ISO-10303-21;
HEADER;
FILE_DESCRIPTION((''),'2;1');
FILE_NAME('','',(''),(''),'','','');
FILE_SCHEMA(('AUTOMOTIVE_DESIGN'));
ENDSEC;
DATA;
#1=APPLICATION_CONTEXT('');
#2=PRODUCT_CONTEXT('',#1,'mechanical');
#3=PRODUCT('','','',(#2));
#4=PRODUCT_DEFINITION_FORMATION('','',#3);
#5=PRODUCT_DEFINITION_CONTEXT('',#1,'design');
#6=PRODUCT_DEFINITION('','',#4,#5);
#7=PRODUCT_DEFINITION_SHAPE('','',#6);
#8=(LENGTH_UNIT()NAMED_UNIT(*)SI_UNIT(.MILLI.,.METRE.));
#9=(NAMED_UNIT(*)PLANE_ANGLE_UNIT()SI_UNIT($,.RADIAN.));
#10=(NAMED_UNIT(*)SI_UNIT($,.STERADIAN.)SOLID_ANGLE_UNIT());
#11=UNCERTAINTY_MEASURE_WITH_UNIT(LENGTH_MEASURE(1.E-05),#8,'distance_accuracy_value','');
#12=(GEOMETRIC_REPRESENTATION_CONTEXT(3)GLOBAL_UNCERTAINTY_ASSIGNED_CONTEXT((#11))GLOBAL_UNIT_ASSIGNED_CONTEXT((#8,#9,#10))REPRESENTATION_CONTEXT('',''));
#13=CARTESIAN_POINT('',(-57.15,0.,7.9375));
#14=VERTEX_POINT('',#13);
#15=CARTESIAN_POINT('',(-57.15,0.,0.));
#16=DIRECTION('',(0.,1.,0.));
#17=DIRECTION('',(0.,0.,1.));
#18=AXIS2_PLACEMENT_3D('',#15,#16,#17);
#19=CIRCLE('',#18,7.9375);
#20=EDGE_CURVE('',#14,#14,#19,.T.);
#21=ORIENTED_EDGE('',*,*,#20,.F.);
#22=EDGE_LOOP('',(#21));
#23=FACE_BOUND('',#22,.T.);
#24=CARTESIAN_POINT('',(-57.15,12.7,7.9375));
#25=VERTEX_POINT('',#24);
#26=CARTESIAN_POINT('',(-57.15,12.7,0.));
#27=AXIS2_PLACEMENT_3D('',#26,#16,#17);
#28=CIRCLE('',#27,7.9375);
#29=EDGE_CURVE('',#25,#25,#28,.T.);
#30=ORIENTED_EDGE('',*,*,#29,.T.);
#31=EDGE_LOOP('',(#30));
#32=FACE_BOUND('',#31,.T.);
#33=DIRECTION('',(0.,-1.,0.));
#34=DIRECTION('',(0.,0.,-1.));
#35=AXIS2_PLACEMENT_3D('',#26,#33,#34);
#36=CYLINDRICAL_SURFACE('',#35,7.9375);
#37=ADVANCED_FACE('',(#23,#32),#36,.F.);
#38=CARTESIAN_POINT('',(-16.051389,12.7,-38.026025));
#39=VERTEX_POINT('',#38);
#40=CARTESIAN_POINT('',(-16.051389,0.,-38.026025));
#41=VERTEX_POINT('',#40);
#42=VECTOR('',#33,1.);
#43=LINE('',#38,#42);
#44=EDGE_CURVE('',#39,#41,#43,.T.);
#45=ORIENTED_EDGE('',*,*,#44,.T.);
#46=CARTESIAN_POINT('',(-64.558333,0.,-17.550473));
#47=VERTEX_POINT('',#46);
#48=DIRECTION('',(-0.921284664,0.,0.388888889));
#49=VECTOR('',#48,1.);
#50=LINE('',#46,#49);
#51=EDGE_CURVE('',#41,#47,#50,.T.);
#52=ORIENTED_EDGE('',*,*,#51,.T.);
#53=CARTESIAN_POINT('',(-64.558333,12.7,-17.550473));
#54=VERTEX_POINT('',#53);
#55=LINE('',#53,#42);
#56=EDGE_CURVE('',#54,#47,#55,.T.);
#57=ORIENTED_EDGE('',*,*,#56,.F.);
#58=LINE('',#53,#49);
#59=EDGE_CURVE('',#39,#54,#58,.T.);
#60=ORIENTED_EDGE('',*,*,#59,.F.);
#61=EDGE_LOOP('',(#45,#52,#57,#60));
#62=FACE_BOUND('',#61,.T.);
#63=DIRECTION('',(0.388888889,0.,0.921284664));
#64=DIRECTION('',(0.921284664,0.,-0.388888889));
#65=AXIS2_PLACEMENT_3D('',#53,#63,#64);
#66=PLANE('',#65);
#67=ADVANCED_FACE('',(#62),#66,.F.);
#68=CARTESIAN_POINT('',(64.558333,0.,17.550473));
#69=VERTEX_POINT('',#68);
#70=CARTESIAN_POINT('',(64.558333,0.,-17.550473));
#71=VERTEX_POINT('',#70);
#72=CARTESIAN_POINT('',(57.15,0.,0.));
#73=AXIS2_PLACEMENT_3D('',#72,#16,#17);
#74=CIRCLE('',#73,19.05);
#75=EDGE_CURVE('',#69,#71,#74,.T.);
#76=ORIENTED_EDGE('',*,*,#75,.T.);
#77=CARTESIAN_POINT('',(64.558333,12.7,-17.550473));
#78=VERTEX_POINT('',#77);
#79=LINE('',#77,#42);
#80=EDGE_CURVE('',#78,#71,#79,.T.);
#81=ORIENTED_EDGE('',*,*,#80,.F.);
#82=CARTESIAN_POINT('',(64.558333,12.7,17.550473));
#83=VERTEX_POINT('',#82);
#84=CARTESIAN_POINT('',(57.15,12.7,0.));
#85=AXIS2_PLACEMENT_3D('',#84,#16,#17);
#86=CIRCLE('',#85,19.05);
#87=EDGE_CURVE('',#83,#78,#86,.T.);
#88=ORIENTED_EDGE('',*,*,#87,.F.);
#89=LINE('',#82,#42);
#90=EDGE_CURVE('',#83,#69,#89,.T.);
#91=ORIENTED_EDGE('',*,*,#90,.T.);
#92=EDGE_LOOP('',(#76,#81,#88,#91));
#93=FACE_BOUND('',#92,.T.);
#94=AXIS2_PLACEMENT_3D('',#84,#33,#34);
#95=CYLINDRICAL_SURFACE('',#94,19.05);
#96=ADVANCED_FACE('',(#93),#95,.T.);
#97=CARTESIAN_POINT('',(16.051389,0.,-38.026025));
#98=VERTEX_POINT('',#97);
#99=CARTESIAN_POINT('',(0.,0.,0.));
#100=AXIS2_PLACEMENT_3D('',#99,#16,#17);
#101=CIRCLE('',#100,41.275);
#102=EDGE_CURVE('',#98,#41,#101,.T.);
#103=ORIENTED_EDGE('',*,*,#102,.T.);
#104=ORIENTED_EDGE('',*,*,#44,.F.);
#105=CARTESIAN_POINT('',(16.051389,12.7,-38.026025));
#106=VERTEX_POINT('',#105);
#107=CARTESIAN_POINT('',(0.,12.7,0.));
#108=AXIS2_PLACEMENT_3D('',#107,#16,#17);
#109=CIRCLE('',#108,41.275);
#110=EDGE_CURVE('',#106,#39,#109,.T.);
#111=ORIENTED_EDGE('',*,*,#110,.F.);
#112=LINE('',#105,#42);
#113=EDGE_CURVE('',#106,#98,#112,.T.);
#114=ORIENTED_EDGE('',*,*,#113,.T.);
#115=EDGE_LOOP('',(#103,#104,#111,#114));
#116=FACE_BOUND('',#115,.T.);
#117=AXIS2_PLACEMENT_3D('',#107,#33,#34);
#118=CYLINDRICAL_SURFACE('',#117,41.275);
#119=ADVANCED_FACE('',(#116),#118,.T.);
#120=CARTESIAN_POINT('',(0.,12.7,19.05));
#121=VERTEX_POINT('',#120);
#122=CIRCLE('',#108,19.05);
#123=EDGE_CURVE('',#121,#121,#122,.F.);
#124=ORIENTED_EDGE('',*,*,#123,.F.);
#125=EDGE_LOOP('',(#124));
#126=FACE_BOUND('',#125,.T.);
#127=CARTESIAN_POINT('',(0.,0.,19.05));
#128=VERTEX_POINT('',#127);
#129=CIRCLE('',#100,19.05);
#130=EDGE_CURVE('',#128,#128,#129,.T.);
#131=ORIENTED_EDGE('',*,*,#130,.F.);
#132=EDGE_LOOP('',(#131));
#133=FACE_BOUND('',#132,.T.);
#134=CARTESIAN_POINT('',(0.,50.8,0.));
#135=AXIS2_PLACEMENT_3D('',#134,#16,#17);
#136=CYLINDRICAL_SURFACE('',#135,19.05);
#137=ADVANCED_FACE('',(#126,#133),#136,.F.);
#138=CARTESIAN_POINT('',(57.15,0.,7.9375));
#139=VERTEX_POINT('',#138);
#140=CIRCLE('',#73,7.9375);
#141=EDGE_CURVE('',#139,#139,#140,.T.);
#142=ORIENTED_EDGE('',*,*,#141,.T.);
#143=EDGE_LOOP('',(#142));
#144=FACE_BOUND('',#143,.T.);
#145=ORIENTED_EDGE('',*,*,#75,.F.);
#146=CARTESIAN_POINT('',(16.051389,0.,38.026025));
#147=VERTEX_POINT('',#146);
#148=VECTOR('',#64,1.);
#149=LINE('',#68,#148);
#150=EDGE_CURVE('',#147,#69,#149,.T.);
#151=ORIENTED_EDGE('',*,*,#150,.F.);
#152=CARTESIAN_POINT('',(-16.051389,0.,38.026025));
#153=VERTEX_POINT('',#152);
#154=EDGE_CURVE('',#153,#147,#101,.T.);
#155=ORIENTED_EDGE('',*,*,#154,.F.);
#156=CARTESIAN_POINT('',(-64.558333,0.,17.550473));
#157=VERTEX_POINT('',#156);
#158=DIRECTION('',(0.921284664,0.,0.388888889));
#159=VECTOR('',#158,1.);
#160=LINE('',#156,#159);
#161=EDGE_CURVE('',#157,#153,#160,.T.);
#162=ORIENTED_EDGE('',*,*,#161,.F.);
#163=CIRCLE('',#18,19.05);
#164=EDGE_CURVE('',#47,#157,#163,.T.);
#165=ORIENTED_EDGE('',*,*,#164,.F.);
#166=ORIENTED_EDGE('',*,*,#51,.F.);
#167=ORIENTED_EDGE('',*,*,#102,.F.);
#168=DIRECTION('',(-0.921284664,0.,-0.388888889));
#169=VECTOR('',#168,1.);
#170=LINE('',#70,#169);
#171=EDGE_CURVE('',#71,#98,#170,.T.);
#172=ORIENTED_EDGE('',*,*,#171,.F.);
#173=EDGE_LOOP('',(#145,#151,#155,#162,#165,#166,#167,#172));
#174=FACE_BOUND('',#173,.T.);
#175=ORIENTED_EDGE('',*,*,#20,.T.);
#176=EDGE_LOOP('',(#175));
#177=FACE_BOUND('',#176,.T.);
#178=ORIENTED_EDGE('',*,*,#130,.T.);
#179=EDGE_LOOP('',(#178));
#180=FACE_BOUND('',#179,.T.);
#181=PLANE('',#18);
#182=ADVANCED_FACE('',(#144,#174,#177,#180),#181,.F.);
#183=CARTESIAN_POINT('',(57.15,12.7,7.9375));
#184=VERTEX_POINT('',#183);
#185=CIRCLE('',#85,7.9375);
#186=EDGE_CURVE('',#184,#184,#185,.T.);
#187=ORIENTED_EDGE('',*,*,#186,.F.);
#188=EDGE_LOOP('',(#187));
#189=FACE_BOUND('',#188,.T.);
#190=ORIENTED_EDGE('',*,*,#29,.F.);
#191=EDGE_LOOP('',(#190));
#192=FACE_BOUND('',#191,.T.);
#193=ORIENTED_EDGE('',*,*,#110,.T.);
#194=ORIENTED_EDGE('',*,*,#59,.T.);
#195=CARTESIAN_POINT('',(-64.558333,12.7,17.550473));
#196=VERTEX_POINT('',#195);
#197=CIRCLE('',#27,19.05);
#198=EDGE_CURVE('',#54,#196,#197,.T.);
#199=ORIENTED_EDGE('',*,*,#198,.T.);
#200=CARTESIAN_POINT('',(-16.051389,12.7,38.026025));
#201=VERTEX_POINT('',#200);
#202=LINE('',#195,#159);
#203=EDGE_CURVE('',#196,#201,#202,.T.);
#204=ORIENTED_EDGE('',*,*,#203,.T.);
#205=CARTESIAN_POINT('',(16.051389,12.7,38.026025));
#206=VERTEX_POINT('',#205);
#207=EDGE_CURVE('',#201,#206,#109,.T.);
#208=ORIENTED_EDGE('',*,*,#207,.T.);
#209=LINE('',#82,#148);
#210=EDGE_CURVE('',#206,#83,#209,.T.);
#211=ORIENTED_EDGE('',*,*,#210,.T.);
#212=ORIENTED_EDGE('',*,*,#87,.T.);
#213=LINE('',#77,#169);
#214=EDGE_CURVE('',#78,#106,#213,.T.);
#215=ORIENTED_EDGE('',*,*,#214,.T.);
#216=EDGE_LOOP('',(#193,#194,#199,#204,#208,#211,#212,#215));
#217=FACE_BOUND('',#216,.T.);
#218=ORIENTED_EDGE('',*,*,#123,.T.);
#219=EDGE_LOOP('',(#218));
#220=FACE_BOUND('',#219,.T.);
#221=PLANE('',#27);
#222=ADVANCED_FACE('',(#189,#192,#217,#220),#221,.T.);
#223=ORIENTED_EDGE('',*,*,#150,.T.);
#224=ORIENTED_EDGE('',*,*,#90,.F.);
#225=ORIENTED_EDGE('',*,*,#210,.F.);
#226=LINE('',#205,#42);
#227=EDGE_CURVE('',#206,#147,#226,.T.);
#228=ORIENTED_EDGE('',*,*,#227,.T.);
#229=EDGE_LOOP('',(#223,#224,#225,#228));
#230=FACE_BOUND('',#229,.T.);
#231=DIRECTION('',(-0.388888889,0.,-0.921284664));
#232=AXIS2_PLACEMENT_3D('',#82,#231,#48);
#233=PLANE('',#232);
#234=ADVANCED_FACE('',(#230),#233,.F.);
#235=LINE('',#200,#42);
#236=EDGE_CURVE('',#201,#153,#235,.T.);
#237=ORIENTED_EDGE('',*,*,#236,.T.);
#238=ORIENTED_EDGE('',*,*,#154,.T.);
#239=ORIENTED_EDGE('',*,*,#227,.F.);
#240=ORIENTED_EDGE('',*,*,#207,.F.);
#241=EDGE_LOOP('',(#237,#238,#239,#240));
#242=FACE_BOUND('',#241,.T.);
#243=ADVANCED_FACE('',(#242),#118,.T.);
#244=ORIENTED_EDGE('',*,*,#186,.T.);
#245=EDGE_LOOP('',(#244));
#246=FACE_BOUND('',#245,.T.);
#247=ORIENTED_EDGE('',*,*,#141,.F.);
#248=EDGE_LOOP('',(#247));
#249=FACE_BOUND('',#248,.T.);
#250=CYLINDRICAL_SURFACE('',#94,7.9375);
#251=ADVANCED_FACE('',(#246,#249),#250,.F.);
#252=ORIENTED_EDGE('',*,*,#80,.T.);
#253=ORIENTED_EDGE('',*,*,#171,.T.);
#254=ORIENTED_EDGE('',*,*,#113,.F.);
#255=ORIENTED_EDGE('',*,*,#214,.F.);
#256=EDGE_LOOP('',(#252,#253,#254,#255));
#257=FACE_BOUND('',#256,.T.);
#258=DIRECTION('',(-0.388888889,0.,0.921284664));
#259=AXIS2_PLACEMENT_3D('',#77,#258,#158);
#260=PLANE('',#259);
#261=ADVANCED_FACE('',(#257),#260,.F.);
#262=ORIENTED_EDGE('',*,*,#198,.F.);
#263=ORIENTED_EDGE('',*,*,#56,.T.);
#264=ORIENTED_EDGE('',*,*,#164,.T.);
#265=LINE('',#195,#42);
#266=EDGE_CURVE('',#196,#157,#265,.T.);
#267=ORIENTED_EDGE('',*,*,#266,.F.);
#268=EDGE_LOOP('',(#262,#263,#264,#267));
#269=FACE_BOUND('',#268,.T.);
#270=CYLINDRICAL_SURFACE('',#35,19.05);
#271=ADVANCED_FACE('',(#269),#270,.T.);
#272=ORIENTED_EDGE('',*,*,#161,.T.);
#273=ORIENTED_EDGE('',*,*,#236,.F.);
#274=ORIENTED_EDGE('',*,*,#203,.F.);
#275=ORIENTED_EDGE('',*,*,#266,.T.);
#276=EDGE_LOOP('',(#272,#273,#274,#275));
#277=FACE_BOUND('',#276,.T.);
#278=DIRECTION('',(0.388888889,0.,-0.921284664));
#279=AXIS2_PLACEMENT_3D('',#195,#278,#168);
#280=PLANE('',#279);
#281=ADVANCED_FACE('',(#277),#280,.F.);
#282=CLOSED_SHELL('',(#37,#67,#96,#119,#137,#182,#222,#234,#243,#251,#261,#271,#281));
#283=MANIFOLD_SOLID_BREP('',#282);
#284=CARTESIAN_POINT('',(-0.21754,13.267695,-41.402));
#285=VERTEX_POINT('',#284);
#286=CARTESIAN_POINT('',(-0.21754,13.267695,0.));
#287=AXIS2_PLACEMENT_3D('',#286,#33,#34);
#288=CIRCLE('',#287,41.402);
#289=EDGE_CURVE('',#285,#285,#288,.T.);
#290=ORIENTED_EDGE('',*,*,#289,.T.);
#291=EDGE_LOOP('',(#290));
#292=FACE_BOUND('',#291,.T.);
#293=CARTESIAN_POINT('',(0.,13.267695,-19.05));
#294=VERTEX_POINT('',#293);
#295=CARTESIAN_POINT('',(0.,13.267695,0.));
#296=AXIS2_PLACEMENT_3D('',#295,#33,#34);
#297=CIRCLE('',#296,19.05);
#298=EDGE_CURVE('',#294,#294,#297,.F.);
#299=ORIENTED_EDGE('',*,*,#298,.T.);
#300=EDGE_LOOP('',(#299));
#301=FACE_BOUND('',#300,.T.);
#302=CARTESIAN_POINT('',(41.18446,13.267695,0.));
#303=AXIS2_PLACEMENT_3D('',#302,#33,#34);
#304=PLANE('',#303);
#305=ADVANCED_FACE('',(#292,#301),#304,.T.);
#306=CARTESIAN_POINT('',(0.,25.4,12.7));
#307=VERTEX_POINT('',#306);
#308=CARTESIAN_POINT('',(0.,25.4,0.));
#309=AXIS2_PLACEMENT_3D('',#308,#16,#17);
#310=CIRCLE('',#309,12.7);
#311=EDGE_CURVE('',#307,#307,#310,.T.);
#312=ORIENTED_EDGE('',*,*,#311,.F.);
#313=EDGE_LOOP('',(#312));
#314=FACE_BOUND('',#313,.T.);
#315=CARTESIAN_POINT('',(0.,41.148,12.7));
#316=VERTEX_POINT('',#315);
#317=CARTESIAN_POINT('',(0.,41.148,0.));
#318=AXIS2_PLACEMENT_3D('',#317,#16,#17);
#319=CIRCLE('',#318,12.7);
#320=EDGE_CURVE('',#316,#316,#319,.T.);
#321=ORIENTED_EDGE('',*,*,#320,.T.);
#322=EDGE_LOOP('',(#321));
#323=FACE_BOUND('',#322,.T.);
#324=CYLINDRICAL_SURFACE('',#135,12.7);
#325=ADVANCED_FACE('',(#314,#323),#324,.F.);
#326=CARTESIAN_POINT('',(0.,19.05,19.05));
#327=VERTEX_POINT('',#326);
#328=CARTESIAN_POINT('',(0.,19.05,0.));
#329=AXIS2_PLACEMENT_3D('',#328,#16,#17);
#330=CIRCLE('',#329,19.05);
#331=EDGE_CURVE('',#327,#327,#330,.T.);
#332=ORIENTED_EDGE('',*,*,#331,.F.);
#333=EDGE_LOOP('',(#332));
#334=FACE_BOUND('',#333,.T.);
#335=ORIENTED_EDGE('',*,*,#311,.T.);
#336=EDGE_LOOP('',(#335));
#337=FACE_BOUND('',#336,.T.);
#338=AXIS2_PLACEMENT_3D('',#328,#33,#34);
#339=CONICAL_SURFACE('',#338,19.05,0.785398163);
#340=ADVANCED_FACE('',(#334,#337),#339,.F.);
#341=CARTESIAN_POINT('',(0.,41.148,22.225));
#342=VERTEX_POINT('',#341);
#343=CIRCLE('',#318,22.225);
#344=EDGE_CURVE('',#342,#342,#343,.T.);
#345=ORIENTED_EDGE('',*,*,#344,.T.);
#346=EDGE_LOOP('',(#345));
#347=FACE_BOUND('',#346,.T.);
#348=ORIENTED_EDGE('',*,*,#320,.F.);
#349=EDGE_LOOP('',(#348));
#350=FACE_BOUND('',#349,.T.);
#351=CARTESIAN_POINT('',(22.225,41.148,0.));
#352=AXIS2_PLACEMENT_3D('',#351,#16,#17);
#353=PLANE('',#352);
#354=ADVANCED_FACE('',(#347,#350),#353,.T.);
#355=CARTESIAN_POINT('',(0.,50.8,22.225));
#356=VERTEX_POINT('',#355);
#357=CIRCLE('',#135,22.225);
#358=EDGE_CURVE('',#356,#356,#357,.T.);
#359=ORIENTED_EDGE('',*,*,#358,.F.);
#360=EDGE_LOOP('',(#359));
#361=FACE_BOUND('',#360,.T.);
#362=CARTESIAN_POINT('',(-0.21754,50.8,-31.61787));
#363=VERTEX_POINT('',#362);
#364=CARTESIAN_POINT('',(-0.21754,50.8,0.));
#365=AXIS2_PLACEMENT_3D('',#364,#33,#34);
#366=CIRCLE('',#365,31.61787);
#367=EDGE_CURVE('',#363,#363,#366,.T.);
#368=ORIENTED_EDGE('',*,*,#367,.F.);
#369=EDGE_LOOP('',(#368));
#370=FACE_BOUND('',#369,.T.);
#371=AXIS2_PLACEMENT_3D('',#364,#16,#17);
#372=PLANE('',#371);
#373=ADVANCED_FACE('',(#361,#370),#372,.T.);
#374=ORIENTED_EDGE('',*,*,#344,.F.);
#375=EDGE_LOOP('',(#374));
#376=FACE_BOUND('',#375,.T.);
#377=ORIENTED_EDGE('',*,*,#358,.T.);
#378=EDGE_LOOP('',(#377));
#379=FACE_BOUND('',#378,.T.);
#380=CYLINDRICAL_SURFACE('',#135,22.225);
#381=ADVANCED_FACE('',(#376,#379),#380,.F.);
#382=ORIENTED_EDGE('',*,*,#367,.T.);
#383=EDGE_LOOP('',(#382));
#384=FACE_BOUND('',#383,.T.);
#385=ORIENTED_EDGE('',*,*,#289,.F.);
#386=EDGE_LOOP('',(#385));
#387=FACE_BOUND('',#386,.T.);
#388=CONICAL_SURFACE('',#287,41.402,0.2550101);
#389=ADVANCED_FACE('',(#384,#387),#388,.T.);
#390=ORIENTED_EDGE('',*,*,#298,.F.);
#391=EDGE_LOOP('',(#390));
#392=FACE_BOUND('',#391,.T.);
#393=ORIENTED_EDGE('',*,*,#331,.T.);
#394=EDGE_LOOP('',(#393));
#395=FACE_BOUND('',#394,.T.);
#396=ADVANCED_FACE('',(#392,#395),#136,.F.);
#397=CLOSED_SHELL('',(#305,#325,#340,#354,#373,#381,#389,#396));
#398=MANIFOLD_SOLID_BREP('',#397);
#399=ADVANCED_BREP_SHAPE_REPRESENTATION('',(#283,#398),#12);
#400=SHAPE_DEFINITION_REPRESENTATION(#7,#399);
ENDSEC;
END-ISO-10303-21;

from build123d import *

# Parameters (mm, degrees)
SKETCH1_R           = 7.9375
BOSS_EXTRUDE1_DEPTH = 12.7


with BuildPart() as part:
    # Sketch1 → Boss-Extrude1 (new body)
    with BuildSketch(Plane(origin=(0, 0, 0), x_dir=(1, 0, 0), z_dir=(0, 1, 0))):
        with BuildLine():
            Line((-64.558333333, 17.550472849), (-16.051388889, 38.026024506))
            ThreePointArc((-16.051388889, 38.026024506), (0, 41.275), (16.051388889, 38.026024506))
            Line((16.051388889, 38.026024506), (64.558333333, 17.550472849))
            ThreePointArc((64.558333333, 17.550472849), (76.2, 0), (64.558333333, -17.550472849))
            Line((64.558333333, -17.550472849), (16.051388889, -38.026024506))
            ThreePointArc((16.051388889, -38.026024506), (0, -41.275), (-16.051388889, -38.026024506))
            Line((-16.051388889, -38.026024506), (-64.558333333, -17.550472849))
            ThreePointArc((-64.558333333, -17.550472849), (-76.2, 0), (-64.558333333, 17.550472849))
        make_face()
        with Locations(Location((-57.15, 0, 0), (0, 0, 270))):
            Circle(SKETCH1_R, mode=Mode.SUBTRACT)
        with Locations(Location((57.15, 0, 0), (0, 0, 270))):
            Circle(SKETCH1_R, mode=Mode.SUBTRACT)
    extrude(amount=BOSS_EXTRUDE1_DEPTH)


with BuildPart() as body_2:
    # Sketch2 → Revolve1 (revolve)
    with BuildSketch(Plane.XY, mode=Mode.PRIVATE) as revolve1_sk:
        Polygon((-0.217540434, 13.267695424), (-0.217540434, 50.8), (31.400329789, 50.8), (41.184459566, 13.267695424), align=None)
    revolve(revolve1_sk.sketch.rotate(Axis((-0.217540434, 13.267695424, 0), (0, 1, 0)), 90), axis=Axis((-0.217540434, 13.267695424, 0), (0, 1, 0)))


with BuildPart() as cut_revolve1_tool:
    # Sketch3 → Cut-Revolve1 (revolve)
    with BuildSketch(Plane.XY):
        Polygon((0, 50.8), (22.225, 50.8), (22.225, 41.148), (12.7, 41.148), (12.7, 25.4), (19.05, 19.05), (19.05, 13.267695424), (19.05, 0), (0, 0), align=None)
    revolve(axis=Axis((0, 50.8, 0), (0, -1, 0)))


with BuildPart() as part_1:
    add(part.part)

    # Cut-Revolve1: cut by cut_revolve1_tool
    add(cut_revolve1_tool.part, mode=Mode.SUBTRACT)


with BuildPart() as body_2_1:
    add(body_2.part)

    # Cut-Revolve1: cut by cut_revolve1_tool
    add(cut_revolve1_tool.part, mode=Mode.SUBTRACT)


solid = Compound([part_1.part, body_2_1.part])
